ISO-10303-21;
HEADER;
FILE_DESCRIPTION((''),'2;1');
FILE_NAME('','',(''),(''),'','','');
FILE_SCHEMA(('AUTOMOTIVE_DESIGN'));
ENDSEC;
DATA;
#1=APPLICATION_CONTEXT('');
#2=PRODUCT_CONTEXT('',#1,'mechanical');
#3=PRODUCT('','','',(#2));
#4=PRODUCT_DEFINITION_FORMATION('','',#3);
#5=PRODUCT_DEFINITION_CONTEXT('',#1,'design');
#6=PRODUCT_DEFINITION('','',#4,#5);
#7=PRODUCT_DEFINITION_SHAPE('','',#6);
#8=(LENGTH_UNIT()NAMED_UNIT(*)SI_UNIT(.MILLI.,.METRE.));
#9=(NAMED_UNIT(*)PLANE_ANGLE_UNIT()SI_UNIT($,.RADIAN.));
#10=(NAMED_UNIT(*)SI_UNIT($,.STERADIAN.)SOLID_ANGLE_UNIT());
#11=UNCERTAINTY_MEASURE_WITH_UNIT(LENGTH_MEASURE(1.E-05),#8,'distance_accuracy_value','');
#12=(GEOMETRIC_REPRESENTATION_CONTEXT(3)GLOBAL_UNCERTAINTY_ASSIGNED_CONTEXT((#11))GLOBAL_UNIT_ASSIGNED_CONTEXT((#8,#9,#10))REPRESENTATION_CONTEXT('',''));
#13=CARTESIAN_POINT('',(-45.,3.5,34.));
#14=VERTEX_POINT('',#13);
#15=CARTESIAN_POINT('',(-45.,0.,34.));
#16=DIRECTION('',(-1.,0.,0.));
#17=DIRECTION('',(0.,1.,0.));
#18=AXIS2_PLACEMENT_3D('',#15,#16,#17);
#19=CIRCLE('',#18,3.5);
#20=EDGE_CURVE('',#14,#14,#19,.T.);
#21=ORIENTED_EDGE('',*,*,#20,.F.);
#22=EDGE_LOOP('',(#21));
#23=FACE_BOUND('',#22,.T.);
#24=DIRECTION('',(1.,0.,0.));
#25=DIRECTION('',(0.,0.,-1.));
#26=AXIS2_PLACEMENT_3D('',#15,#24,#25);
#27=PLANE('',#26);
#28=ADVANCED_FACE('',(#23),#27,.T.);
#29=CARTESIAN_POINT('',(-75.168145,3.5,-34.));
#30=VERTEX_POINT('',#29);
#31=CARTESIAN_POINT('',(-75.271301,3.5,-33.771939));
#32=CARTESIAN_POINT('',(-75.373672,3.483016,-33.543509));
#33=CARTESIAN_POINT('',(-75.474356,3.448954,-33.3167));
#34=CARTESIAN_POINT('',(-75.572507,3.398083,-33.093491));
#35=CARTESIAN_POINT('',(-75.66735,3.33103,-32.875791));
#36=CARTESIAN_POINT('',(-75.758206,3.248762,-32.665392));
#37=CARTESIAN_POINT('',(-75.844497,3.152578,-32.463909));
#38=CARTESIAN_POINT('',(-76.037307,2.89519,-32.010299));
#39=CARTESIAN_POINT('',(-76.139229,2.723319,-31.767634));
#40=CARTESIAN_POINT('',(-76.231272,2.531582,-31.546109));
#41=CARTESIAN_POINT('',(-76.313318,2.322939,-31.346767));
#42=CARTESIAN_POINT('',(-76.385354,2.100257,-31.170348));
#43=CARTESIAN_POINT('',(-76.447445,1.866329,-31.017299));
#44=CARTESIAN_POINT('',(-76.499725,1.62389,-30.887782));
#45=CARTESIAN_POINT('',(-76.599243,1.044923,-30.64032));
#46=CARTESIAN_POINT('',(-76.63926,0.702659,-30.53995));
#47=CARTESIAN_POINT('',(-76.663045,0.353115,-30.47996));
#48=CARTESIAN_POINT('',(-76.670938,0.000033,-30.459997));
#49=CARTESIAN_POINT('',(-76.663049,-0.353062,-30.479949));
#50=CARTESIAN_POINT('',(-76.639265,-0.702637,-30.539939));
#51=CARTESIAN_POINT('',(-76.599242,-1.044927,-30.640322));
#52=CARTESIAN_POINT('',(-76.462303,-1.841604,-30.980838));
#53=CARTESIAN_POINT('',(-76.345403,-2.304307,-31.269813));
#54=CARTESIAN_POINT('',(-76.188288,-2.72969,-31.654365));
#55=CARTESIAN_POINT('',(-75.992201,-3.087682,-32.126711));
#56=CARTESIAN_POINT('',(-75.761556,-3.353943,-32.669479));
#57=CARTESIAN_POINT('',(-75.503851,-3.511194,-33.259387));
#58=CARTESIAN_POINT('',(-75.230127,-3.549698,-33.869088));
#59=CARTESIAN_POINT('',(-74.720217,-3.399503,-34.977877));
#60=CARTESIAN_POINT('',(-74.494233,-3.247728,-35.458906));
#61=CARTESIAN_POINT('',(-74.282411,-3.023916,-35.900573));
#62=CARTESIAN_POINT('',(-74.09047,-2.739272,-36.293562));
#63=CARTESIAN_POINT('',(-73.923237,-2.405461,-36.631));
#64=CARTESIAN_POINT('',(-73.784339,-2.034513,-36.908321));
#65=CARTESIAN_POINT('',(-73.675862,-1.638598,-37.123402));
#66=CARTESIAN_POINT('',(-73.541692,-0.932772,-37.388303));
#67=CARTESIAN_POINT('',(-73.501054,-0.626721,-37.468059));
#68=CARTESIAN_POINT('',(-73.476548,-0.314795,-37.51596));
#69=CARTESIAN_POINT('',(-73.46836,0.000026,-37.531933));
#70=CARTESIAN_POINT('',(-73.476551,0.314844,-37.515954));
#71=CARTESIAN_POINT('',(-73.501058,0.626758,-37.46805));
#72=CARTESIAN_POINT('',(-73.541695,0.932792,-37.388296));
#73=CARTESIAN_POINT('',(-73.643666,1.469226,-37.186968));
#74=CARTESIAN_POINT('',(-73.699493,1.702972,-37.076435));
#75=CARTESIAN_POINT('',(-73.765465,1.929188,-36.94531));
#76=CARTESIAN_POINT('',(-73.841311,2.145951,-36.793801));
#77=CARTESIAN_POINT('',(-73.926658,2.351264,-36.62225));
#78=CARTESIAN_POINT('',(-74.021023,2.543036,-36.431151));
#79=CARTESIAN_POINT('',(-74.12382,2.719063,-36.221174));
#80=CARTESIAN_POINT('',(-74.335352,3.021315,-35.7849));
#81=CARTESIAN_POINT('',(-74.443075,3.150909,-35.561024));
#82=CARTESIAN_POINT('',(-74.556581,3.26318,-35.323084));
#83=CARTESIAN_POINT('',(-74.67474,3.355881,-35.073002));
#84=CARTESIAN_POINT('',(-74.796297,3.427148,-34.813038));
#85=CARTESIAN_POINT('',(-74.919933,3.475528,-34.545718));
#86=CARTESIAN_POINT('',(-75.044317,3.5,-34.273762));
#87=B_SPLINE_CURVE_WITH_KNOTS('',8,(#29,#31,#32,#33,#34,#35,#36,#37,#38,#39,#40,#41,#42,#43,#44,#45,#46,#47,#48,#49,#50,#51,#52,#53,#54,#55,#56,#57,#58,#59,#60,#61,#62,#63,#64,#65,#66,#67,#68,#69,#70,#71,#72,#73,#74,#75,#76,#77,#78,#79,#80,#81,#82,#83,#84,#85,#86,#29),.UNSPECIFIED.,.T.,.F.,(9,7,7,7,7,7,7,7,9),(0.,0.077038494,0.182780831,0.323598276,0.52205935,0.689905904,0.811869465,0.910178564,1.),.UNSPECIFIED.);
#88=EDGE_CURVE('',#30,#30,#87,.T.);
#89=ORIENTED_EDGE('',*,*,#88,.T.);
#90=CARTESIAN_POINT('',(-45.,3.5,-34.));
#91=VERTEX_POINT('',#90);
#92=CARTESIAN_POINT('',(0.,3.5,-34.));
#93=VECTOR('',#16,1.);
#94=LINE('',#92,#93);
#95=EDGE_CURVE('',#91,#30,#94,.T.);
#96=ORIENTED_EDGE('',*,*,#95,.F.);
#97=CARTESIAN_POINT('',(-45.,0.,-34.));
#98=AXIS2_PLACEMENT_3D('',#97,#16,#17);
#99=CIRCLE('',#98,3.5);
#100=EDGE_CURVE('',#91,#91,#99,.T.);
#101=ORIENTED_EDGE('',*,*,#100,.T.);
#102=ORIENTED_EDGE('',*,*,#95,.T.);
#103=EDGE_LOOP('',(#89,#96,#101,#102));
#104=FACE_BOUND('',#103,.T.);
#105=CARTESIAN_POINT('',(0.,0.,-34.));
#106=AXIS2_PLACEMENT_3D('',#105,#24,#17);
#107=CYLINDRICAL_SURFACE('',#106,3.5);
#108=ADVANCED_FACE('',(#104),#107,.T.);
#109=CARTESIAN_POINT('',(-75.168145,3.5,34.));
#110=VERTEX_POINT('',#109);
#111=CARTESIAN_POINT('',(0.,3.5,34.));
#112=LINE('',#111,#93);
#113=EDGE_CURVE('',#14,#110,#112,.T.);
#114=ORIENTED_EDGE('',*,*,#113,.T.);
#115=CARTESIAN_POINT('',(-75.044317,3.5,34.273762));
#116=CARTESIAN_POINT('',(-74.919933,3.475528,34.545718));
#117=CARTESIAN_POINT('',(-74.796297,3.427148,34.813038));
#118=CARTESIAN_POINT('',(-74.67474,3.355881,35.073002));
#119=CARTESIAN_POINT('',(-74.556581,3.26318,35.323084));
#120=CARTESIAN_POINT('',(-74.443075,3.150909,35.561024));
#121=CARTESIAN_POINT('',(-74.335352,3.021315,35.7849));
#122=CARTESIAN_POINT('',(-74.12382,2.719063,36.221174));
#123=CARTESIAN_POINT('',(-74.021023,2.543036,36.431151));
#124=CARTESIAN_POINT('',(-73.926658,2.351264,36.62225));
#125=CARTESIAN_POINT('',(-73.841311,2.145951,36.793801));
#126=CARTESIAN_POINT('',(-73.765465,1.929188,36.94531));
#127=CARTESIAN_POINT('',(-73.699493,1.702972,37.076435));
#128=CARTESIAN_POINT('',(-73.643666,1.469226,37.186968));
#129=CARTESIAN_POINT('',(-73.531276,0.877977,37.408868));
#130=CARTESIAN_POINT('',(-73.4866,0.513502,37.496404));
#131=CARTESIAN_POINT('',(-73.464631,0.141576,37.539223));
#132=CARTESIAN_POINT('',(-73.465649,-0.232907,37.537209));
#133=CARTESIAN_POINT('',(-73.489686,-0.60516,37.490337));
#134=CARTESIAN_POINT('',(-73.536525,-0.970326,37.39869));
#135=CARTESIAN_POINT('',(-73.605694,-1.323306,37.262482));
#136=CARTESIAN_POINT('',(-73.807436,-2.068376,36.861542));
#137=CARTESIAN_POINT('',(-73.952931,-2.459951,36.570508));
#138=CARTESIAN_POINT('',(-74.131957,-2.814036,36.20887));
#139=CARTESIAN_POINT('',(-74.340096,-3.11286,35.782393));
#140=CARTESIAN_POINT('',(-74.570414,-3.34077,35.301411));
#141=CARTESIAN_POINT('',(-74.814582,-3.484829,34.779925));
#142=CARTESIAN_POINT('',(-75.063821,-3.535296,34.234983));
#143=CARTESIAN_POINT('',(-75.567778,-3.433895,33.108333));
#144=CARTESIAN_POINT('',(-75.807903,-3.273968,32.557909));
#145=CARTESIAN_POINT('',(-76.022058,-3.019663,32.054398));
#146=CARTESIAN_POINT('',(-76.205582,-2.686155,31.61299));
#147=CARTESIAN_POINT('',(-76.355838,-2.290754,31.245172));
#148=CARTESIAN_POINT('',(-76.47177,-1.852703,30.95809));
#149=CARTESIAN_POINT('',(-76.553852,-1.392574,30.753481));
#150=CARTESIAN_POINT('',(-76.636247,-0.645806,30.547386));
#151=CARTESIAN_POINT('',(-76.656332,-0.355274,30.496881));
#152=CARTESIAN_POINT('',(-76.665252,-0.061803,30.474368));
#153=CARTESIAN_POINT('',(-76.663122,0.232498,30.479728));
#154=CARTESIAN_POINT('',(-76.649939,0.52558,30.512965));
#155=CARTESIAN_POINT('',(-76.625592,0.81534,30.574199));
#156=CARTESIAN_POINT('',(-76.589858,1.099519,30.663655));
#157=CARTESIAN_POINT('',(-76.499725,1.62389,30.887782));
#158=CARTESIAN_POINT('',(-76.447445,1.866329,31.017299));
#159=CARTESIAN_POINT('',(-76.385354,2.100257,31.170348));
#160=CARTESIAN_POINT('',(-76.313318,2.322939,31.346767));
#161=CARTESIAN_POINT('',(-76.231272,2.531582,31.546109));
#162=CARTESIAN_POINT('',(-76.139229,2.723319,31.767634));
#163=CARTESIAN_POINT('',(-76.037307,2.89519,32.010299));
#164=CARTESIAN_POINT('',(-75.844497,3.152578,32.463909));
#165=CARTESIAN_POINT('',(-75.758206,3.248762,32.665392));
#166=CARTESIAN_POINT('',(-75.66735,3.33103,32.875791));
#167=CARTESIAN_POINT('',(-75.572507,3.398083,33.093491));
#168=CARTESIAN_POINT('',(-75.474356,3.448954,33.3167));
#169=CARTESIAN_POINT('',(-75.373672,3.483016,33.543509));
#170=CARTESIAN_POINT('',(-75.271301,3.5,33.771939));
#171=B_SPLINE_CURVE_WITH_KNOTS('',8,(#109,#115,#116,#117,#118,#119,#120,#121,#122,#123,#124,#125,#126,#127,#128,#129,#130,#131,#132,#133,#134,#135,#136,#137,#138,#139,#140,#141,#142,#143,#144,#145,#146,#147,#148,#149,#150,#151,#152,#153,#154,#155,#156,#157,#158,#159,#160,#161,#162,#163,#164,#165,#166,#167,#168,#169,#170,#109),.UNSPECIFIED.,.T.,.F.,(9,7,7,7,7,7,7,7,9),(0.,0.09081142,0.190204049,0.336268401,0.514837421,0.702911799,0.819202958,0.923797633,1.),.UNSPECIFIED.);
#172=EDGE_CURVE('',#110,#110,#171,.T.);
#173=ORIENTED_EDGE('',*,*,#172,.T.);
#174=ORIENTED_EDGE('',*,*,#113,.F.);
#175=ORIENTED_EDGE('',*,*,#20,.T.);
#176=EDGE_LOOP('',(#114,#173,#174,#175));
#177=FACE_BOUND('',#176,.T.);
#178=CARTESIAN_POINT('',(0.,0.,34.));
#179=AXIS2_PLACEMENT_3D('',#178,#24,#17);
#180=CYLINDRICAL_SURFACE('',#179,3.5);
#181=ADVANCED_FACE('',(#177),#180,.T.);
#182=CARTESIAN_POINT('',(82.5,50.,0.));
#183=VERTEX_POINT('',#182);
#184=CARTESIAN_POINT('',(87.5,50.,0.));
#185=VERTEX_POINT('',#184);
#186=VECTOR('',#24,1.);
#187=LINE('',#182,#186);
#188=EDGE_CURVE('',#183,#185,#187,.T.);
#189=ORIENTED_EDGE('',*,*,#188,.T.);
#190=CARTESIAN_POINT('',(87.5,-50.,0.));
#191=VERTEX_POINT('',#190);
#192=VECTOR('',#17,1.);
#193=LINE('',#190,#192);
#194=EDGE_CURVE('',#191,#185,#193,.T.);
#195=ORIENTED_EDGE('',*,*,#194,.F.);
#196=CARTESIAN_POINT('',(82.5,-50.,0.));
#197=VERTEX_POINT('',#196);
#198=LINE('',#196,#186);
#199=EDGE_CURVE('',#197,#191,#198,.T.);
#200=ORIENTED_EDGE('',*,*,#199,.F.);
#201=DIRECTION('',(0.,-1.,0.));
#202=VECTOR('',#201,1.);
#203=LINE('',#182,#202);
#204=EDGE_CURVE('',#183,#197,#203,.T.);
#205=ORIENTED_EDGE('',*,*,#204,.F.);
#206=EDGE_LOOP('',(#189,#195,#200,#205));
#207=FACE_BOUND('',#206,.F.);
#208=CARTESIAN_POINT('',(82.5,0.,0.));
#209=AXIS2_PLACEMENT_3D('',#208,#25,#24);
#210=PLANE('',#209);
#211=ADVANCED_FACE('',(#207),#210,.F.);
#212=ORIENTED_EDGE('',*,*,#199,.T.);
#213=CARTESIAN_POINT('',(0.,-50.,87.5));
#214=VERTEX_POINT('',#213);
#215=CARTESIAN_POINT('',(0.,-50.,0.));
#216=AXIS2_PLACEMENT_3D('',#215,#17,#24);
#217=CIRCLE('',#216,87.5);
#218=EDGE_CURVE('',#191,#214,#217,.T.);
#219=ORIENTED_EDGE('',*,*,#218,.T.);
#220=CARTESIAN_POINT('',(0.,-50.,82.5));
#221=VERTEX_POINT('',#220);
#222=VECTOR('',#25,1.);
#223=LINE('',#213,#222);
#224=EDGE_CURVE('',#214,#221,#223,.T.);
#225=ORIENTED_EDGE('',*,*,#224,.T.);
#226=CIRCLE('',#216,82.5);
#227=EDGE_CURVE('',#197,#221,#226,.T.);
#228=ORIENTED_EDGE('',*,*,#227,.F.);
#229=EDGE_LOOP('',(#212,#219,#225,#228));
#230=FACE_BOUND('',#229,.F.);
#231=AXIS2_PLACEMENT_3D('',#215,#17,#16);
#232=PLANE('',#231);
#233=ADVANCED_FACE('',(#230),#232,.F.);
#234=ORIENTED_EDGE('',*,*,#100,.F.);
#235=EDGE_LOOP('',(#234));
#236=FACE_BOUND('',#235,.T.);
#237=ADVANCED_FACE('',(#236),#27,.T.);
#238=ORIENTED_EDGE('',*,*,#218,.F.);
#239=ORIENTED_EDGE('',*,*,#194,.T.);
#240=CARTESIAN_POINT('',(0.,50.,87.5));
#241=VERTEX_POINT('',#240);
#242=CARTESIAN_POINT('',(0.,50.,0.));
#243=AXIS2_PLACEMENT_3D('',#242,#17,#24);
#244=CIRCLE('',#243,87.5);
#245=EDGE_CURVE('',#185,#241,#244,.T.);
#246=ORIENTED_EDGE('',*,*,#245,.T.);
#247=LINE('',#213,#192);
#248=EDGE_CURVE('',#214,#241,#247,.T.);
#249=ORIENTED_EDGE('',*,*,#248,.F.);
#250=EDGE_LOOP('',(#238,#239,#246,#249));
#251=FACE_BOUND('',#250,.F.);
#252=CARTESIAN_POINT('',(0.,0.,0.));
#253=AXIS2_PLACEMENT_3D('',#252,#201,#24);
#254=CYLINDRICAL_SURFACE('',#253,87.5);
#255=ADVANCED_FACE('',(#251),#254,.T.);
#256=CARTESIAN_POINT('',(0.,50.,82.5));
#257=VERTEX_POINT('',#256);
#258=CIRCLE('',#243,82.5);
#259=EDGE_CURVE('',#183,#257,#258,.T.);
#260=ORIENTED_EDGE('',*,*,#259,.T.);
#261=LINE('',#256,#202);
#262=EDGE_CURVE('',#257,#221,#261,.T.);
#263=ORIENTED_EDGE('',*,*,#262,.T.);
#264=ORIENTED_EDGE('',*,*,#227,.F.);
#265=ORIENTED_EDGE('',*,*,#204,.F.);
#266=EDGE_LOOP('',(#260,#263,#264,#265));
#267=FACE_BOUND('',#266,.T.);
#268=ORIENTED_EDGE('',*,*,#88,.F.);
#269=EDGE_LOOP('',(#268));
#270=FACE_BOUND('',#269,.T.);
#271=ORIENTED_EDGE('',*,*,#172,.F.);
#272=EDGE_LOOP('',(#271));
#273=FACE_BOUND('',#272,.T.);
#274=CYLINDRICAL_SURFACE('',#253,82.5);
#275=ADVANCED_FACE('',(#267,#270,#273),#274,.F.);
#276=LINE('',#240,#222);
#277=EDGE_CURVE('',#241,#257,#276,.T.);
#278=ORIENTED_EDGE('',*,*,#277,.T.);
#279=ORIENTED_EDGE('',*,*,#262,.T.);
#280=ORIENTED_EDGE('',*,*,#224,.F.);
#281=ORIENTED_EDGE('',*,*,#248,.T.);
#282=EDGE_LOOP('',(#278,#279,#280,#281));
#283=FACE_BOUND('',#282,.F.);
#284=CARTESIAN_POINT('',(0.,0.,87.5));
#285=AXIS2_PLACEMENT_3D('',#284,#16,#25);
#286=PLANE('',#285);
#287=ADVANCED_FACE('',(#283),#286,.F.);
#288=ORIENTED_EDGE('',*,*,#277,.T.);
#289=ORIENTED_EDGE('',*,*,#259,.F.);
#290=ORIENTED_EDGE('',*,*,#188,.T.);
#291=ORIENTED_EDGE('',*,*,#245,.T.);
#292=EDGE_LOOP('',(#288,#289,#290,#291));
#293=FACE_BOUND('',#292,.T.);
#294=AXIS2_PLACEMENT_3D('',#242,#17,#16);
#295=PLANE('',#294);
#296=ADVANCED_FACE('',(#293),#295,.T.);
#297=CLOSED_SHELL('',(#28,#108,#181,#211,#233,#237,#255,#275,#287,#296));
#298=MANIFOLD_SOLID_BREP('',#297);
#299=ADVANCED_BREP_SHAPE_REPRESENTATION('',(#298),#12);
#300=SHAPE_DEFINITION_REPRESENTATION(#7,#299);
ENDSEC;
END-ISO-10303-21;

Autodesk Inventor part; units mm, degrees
ref_plane "YZ Plane" through (0, 0, 0) normal (1, 0, 0) x (0, 1, 0)
ref_plane "XZ Plane" through (0, 0, 0) normal (0, 1, 0) x (-1, 0, 0)
ref_plane "XY Plane" through (0, 0, 0) normal (0, 0, 1) x (1, 0, 0)
sketch "Sketch1" plane through (0, 0, 0) normal (0, 1, 0) x (-1, 0, 0)
  arc A0 (-87.5, 0) -> (0, 87.5) centre (0, 0) ccw
  arc A1 (-82.5, 0) -> (0, 82.5) centre (0, 0) ccw
  line L0 (0, 87.5) -> (0, 82.5)
  line L1 (-82.5, 0) -> (-87.5, 0)
  dimension "d0" = 165
  dimension "d1" = 175
  dimension "d7" = 0
  dimension "d8" = 0
extrude "Extrusion1" add sketch "Sketch1" along normal mid plane 100
sketch "Sketch3" plane through (0, 0, 0) normal (1, 0, 0) x (0, 1, 0)
  circle A0 centre (0, 34) radius 3.5
  circle A1 centre (0, -34) radius 3.5
  circle A2 centre (0, 34) radius 3.5
  circle A3 centre (0, -34) radius 3.5
  point P0 (0, 0)
  dimension "d9" = 7
  dimension "d10" = 7
  dimension "d11" = 68
  dimension "d12" = 34
  dimension "d13" = 34
extrude "Extrusion2" add sketch "Sketch3" against normal up to next
sketch "Sketch4" plane through (0, 0, 34) normal (1, 0, 0) x (0, 0, -1)
  circle A0 centre (0, 0) radius 3.5
  circle A1 centre (68, 0) radius 3.5 projected
  circle A2 centre (68, 0) radius 3.5
  point P0 (34, 0)
extrude "Extrusion3" cut sketch "Sketch4" against normal blind 45
properties part number "airframe"
